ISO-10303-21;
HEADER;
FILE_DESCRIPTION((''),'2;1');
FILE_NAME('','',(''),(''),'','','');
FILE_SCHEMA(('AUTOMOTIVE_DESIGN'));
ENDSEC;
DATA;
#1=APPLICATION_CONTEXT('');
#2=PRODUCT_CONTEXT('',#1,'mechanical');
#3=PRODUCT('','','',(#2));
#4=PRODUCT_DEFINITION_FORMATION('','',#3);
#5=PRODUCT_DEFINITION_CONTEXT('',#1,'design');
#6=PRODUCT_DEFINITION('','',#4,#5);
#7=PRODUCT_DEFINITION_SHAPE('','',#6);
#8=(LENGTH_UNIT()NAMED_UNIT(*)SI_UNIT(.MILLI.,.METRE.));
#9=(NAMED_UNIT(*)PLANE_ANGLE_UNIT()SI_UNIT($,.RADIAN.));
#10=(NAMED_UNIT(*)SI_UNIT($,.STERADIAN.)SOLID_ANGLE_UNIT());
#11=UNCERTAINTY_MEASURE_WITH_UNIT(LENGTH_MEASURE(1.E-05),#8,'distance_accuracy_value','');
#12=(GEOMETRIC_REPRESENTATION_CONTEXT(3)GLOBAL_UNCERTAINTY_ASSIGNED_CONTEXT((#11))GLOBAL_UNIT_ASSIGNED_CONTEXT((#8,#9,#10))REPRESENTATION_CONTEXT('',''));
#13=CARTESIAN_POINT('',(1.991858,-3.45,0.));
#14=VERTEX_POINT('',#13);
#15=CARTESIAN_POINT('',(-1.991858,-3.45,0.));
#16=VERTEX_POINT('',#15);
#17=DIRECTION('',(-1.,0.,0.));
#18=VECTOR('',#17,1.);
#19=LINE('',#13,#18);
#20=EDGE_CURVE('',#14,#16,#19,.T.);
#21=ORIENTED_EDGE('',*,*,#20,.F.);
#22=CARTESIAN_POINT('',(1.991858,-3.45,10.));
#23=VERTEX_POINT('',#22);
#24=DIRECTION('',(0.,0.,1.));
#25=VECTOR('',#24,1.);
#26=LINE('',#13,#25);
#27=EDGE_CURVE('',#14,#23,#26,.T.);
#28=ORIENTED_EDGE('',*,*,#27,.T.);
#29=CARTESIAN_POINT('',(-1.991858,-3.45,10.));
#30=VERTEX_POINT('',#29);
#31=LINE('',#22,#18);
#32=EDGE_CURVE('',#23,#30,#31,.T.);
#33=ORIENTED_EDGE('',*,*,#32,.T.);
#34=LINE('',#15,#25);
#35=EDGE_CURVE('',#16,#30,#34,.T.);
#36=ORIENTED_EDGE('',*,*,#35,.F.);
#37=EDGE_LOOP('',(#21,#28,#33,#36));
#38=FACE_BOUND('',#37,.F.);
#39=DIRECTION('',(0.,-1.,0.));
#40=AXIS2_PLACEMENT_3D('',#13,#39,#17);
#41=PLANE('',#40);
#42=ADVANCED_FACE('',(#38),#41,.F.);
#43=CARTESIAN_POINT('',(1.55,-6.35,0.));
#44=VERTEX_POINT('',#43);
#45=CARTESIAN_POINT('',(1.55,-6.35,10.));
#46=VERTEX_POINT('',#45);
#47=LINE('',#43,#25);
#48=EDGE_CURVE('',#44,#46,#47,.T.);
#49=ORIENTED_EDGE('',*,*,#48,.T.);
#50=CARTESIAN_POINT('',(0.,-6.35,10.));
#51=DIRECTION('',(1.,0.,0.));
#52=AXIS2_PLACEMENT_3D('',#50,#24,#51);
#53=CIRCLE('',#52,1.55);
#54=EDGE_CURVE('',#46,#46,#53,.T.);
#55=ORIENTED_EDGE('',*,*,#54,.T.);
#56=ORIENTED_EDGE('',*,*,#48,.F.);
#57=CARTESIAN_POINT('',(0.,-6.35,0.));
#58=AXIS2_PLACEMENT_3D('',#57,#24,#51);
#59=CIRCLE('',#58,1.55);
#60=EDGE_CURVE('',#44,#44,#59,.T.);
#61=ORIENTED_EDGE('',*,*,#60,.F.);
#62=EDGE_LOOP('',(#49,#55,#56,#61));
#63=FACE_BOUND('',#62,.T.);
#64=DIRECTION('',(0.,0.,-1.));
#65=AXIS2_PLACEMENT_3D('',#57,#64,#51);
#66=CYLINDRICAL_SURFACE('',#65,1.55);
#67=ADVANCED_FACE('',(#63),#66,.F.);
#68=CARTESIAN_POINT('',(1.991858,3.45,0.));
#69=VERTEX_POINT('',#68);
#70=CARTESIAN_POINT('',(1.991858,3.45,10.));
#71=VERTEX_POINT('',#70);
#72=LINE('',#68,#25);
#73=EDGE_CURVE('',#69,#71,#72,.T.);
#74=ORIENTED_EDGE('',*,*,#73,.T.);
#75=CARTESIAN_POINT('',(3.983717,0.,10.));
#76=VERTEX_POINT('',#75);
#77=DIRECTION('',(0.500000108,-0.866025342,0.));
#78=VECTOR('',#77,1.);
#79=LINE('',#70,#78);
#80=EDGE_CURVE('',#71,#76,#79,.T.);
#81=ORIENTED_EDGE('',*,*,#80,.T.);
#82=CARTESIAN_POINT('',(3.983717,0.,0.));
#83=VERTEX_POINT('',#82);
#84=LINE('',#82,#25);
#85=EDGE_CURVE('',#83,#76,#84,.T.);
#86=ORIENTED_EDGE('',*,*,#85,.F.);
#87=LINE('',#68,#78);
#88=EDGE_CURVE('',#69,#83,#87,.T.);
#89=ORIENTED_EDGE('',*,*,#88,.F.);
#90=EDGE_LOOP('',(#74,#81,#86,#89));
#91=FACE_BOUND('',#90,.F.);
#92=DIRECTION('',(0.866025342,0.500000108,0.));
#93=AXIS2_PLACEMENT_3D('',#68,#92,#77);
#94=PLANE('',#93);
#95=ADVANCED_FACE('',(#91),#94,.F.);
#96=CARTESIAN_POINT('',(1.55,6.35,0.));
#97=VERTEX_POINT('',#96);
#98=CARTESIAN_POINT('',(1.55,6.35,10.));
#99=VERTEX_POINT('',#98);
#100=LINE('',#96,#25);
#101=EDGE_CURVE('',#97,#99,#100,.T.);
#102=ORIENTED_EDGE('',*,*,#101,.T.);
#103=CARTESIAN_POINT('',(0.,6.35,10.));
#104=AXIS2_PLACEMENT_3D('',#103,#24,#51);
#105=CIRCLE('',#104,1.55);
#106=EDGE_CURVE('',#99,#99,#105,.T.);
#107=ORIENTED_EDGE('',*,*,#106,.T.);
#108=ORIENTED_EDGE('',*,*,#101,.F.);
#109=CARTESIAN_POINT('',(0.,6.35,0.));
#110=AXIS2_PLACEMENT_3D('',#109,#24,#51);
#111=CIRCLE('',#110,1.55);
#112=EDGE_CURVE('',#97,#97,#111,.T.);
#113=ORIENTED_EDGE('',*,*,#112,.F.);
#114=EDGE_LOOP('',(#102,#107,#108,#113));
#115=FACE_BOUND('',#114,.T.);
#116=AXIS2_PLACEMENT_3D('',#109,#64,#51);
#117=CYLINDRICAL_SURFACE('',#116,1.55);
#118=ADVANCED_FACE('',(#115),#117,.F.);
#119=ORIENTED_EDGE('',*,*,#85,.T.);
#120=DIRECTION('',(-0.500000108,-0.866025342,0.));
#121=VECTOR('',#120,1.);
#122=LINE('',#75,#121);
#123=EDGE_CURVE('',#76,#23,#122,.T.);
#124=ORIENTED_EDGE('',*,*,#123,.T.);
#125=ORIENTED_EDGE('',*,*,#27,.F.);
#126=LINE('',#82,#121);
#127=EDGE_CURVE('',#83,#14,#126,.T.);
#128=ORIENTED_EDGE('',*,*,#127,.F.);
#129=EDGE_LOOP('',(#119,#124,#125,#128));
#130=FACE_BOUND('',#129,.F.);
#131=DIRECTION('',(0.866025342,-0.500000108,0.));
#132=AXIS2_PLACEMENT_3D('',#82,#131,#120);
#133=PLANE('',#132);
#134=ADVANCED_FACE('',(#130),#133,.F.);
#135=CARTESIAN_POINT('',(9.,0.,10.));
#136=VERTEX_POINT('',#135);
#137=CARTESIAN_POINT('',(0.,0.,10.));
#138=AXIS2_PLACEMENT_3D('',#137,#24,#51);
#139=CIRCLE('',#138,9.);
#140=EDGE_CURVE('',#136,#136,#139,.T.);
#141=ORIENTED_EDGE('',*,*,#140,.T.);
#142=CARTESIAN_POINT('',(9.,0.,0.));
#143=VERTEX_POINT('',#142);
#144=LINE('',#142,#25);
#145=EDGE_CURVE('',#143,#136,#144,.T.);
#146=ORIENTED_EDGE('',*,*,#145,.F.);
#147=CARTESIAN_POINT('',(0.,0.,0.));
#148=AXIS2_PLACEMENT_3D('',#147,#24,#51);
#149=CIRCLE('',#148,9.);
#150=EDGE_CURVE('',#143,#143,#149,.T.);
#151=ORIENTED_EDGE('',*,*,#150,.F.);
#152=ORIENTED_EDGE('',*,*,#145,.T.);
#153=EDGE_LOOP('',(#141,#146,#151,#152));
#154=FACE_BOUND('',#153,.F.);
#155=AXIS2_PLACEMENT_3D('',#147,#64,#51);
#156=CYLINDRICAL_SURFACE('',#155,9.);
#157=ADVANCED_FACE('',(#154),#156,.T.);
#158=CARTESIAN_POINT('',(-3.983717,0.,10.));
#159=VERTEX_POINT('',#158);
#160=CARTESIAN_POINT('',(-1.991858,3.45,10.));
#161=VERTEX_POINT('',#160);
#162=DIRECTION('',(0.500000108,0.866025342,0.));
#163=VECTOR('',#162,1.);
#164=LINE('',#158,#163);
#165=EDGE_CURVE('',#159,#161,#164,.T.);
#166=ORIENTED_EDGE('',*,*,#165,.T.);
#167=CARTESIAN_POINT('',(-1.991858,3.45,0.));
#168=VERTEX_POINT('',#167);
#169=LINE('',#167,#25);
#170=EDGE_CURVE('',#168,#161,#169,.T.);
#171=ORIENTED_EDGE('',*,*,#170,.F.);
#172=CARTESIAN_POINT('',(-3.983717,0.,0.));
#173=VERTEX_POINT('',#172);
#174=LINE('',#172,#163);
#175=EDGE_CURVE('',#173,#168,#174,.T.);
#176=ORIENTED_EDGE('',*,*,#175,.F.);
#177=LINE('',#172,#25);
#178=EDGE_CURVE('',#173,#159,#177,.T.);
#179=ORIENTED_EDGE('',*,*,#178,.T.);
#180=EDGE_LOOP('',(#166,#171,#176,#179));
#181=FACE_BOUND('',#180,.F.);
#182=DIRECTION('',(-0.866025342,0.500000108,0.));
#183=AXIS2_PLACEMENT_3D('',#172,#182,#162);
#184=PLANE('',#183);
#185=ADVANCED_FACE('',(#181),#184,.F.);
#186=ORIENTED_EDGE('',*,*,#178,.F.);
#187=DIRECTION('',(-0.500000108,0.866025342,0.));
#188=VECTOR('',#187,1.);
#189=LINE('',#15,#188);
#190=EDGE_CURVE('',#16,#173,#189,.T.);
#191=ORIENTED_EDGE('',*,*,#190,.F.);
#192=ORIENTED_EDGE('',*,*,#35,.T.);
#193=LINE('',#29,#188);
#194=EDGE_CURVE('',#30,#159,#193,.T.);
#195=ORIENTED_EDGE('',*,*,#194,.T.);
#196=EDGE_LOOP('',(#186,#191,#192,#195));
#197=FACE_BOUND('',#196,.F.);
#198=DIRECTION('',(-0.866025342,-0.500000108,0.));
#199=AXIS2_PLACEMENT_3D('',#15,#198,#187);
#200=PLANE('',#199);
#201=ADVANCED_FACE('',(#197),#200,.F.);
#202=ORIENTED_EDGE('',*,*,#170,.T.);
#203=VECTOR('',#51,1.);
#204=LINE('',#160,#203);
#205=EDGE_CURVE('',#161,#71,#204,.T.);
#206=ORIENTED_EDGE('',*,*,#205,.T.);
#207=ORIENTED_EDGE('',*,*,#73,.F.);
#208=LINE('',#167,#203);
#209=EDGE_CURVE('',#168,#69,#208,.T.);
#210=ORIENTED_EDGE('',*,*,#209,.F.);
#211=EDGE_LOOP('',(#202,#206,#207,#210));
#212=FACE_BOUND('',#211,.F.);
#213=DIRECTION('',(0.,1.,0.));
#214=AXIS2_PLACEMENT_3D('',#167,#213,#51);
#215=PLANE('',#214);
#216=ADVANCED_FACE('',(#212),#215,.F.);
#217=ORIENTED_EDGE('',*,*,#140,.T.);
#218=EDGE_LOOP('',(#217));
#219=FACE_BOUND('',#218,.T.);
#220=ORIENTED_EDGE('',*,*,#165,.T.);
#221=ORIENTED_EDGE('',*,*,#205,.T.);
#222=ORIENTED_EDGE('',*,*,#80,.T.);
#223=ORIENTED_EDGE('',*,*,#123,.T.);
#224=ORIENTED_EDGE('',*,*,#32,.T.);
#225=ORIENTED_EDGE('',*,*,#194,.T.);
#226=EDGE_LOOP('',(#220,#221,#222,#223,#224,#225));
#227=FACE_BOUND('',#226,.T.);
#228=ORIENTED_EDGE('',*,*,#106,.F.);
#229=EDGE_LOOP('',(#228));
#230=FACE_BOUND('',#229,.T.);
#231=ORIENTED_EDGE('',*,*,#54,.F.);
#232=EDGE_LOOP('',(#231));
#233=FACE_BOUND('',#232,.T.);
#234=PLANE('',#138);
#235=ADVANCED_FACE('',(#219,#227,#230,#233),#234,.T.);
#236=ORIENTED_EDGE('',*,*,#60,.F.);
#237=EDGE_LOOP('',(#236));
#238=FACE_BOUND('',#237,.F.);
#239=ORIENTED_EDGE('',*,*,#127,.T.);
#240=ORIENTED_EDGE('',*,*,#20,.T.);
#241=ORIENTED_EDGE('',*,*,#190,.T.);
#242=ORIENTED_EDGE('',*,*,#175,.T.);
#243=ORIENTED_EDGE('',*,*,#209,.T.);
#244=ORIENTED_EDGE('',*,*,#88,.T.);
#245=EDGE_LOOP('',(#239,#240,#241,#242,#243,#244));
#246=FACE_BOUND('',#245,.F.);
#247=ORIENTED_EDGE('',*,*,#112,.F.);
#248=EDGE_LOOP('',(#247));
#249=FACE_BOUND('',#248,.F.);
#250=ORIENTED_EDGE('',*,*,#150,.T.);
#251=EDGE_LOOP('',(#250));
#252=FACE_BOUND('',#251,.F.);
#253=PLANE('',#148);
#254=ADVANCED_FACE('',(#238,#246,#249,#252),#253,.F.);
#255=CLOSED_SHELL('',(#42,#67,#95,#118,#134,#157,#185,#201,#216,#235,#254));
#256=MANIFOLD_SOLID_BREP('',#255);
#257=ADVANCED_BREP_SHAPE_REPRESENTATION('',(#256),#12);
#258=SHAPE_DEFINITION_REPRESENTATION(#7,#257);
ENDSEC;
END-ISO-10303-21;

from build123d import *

# Parameters (mm, degrees)
F0_R     = 9
F0_R_2   = 1.55
F1_DEPTH = 10


with BuildPart() as f1:
    # F0 (on Top) → F1 (new body)
    with BuildSketch(Plane.XY):
        Circle(F0_R)
        with Locations((0, -6.35)):
            Circle(F0_R_2, mode=Mode.SUBTRACT)
        with Locations((-6.35, 0)):
            Circle(F0_R_2, mode=Mode.SUBTRACT)
        Polygon((-3.983717, 0), (-1.991858, 3.45), (1.991858, 3.45), (3.983717, 0), (1.991858, -3.45), (-1.991858, -3.45), align=None, mode=Mode.SUBTRACT)
        with Locations((6.35, 0)):
            Circle(F0_R_2, mode=Mode.SUBTRACT)
        with Locations((0, 6.35)):
            Circle(F0_R_2, mode=Mode.SUBTRACT)
        with Locations((-6.35, 0)):
            Circle(F0_R_2)
        with Locations((6.35, 0)):
            Circle(F0_R_2)
    extrude(amount=F1_DEPTH)


solid = f1.part
